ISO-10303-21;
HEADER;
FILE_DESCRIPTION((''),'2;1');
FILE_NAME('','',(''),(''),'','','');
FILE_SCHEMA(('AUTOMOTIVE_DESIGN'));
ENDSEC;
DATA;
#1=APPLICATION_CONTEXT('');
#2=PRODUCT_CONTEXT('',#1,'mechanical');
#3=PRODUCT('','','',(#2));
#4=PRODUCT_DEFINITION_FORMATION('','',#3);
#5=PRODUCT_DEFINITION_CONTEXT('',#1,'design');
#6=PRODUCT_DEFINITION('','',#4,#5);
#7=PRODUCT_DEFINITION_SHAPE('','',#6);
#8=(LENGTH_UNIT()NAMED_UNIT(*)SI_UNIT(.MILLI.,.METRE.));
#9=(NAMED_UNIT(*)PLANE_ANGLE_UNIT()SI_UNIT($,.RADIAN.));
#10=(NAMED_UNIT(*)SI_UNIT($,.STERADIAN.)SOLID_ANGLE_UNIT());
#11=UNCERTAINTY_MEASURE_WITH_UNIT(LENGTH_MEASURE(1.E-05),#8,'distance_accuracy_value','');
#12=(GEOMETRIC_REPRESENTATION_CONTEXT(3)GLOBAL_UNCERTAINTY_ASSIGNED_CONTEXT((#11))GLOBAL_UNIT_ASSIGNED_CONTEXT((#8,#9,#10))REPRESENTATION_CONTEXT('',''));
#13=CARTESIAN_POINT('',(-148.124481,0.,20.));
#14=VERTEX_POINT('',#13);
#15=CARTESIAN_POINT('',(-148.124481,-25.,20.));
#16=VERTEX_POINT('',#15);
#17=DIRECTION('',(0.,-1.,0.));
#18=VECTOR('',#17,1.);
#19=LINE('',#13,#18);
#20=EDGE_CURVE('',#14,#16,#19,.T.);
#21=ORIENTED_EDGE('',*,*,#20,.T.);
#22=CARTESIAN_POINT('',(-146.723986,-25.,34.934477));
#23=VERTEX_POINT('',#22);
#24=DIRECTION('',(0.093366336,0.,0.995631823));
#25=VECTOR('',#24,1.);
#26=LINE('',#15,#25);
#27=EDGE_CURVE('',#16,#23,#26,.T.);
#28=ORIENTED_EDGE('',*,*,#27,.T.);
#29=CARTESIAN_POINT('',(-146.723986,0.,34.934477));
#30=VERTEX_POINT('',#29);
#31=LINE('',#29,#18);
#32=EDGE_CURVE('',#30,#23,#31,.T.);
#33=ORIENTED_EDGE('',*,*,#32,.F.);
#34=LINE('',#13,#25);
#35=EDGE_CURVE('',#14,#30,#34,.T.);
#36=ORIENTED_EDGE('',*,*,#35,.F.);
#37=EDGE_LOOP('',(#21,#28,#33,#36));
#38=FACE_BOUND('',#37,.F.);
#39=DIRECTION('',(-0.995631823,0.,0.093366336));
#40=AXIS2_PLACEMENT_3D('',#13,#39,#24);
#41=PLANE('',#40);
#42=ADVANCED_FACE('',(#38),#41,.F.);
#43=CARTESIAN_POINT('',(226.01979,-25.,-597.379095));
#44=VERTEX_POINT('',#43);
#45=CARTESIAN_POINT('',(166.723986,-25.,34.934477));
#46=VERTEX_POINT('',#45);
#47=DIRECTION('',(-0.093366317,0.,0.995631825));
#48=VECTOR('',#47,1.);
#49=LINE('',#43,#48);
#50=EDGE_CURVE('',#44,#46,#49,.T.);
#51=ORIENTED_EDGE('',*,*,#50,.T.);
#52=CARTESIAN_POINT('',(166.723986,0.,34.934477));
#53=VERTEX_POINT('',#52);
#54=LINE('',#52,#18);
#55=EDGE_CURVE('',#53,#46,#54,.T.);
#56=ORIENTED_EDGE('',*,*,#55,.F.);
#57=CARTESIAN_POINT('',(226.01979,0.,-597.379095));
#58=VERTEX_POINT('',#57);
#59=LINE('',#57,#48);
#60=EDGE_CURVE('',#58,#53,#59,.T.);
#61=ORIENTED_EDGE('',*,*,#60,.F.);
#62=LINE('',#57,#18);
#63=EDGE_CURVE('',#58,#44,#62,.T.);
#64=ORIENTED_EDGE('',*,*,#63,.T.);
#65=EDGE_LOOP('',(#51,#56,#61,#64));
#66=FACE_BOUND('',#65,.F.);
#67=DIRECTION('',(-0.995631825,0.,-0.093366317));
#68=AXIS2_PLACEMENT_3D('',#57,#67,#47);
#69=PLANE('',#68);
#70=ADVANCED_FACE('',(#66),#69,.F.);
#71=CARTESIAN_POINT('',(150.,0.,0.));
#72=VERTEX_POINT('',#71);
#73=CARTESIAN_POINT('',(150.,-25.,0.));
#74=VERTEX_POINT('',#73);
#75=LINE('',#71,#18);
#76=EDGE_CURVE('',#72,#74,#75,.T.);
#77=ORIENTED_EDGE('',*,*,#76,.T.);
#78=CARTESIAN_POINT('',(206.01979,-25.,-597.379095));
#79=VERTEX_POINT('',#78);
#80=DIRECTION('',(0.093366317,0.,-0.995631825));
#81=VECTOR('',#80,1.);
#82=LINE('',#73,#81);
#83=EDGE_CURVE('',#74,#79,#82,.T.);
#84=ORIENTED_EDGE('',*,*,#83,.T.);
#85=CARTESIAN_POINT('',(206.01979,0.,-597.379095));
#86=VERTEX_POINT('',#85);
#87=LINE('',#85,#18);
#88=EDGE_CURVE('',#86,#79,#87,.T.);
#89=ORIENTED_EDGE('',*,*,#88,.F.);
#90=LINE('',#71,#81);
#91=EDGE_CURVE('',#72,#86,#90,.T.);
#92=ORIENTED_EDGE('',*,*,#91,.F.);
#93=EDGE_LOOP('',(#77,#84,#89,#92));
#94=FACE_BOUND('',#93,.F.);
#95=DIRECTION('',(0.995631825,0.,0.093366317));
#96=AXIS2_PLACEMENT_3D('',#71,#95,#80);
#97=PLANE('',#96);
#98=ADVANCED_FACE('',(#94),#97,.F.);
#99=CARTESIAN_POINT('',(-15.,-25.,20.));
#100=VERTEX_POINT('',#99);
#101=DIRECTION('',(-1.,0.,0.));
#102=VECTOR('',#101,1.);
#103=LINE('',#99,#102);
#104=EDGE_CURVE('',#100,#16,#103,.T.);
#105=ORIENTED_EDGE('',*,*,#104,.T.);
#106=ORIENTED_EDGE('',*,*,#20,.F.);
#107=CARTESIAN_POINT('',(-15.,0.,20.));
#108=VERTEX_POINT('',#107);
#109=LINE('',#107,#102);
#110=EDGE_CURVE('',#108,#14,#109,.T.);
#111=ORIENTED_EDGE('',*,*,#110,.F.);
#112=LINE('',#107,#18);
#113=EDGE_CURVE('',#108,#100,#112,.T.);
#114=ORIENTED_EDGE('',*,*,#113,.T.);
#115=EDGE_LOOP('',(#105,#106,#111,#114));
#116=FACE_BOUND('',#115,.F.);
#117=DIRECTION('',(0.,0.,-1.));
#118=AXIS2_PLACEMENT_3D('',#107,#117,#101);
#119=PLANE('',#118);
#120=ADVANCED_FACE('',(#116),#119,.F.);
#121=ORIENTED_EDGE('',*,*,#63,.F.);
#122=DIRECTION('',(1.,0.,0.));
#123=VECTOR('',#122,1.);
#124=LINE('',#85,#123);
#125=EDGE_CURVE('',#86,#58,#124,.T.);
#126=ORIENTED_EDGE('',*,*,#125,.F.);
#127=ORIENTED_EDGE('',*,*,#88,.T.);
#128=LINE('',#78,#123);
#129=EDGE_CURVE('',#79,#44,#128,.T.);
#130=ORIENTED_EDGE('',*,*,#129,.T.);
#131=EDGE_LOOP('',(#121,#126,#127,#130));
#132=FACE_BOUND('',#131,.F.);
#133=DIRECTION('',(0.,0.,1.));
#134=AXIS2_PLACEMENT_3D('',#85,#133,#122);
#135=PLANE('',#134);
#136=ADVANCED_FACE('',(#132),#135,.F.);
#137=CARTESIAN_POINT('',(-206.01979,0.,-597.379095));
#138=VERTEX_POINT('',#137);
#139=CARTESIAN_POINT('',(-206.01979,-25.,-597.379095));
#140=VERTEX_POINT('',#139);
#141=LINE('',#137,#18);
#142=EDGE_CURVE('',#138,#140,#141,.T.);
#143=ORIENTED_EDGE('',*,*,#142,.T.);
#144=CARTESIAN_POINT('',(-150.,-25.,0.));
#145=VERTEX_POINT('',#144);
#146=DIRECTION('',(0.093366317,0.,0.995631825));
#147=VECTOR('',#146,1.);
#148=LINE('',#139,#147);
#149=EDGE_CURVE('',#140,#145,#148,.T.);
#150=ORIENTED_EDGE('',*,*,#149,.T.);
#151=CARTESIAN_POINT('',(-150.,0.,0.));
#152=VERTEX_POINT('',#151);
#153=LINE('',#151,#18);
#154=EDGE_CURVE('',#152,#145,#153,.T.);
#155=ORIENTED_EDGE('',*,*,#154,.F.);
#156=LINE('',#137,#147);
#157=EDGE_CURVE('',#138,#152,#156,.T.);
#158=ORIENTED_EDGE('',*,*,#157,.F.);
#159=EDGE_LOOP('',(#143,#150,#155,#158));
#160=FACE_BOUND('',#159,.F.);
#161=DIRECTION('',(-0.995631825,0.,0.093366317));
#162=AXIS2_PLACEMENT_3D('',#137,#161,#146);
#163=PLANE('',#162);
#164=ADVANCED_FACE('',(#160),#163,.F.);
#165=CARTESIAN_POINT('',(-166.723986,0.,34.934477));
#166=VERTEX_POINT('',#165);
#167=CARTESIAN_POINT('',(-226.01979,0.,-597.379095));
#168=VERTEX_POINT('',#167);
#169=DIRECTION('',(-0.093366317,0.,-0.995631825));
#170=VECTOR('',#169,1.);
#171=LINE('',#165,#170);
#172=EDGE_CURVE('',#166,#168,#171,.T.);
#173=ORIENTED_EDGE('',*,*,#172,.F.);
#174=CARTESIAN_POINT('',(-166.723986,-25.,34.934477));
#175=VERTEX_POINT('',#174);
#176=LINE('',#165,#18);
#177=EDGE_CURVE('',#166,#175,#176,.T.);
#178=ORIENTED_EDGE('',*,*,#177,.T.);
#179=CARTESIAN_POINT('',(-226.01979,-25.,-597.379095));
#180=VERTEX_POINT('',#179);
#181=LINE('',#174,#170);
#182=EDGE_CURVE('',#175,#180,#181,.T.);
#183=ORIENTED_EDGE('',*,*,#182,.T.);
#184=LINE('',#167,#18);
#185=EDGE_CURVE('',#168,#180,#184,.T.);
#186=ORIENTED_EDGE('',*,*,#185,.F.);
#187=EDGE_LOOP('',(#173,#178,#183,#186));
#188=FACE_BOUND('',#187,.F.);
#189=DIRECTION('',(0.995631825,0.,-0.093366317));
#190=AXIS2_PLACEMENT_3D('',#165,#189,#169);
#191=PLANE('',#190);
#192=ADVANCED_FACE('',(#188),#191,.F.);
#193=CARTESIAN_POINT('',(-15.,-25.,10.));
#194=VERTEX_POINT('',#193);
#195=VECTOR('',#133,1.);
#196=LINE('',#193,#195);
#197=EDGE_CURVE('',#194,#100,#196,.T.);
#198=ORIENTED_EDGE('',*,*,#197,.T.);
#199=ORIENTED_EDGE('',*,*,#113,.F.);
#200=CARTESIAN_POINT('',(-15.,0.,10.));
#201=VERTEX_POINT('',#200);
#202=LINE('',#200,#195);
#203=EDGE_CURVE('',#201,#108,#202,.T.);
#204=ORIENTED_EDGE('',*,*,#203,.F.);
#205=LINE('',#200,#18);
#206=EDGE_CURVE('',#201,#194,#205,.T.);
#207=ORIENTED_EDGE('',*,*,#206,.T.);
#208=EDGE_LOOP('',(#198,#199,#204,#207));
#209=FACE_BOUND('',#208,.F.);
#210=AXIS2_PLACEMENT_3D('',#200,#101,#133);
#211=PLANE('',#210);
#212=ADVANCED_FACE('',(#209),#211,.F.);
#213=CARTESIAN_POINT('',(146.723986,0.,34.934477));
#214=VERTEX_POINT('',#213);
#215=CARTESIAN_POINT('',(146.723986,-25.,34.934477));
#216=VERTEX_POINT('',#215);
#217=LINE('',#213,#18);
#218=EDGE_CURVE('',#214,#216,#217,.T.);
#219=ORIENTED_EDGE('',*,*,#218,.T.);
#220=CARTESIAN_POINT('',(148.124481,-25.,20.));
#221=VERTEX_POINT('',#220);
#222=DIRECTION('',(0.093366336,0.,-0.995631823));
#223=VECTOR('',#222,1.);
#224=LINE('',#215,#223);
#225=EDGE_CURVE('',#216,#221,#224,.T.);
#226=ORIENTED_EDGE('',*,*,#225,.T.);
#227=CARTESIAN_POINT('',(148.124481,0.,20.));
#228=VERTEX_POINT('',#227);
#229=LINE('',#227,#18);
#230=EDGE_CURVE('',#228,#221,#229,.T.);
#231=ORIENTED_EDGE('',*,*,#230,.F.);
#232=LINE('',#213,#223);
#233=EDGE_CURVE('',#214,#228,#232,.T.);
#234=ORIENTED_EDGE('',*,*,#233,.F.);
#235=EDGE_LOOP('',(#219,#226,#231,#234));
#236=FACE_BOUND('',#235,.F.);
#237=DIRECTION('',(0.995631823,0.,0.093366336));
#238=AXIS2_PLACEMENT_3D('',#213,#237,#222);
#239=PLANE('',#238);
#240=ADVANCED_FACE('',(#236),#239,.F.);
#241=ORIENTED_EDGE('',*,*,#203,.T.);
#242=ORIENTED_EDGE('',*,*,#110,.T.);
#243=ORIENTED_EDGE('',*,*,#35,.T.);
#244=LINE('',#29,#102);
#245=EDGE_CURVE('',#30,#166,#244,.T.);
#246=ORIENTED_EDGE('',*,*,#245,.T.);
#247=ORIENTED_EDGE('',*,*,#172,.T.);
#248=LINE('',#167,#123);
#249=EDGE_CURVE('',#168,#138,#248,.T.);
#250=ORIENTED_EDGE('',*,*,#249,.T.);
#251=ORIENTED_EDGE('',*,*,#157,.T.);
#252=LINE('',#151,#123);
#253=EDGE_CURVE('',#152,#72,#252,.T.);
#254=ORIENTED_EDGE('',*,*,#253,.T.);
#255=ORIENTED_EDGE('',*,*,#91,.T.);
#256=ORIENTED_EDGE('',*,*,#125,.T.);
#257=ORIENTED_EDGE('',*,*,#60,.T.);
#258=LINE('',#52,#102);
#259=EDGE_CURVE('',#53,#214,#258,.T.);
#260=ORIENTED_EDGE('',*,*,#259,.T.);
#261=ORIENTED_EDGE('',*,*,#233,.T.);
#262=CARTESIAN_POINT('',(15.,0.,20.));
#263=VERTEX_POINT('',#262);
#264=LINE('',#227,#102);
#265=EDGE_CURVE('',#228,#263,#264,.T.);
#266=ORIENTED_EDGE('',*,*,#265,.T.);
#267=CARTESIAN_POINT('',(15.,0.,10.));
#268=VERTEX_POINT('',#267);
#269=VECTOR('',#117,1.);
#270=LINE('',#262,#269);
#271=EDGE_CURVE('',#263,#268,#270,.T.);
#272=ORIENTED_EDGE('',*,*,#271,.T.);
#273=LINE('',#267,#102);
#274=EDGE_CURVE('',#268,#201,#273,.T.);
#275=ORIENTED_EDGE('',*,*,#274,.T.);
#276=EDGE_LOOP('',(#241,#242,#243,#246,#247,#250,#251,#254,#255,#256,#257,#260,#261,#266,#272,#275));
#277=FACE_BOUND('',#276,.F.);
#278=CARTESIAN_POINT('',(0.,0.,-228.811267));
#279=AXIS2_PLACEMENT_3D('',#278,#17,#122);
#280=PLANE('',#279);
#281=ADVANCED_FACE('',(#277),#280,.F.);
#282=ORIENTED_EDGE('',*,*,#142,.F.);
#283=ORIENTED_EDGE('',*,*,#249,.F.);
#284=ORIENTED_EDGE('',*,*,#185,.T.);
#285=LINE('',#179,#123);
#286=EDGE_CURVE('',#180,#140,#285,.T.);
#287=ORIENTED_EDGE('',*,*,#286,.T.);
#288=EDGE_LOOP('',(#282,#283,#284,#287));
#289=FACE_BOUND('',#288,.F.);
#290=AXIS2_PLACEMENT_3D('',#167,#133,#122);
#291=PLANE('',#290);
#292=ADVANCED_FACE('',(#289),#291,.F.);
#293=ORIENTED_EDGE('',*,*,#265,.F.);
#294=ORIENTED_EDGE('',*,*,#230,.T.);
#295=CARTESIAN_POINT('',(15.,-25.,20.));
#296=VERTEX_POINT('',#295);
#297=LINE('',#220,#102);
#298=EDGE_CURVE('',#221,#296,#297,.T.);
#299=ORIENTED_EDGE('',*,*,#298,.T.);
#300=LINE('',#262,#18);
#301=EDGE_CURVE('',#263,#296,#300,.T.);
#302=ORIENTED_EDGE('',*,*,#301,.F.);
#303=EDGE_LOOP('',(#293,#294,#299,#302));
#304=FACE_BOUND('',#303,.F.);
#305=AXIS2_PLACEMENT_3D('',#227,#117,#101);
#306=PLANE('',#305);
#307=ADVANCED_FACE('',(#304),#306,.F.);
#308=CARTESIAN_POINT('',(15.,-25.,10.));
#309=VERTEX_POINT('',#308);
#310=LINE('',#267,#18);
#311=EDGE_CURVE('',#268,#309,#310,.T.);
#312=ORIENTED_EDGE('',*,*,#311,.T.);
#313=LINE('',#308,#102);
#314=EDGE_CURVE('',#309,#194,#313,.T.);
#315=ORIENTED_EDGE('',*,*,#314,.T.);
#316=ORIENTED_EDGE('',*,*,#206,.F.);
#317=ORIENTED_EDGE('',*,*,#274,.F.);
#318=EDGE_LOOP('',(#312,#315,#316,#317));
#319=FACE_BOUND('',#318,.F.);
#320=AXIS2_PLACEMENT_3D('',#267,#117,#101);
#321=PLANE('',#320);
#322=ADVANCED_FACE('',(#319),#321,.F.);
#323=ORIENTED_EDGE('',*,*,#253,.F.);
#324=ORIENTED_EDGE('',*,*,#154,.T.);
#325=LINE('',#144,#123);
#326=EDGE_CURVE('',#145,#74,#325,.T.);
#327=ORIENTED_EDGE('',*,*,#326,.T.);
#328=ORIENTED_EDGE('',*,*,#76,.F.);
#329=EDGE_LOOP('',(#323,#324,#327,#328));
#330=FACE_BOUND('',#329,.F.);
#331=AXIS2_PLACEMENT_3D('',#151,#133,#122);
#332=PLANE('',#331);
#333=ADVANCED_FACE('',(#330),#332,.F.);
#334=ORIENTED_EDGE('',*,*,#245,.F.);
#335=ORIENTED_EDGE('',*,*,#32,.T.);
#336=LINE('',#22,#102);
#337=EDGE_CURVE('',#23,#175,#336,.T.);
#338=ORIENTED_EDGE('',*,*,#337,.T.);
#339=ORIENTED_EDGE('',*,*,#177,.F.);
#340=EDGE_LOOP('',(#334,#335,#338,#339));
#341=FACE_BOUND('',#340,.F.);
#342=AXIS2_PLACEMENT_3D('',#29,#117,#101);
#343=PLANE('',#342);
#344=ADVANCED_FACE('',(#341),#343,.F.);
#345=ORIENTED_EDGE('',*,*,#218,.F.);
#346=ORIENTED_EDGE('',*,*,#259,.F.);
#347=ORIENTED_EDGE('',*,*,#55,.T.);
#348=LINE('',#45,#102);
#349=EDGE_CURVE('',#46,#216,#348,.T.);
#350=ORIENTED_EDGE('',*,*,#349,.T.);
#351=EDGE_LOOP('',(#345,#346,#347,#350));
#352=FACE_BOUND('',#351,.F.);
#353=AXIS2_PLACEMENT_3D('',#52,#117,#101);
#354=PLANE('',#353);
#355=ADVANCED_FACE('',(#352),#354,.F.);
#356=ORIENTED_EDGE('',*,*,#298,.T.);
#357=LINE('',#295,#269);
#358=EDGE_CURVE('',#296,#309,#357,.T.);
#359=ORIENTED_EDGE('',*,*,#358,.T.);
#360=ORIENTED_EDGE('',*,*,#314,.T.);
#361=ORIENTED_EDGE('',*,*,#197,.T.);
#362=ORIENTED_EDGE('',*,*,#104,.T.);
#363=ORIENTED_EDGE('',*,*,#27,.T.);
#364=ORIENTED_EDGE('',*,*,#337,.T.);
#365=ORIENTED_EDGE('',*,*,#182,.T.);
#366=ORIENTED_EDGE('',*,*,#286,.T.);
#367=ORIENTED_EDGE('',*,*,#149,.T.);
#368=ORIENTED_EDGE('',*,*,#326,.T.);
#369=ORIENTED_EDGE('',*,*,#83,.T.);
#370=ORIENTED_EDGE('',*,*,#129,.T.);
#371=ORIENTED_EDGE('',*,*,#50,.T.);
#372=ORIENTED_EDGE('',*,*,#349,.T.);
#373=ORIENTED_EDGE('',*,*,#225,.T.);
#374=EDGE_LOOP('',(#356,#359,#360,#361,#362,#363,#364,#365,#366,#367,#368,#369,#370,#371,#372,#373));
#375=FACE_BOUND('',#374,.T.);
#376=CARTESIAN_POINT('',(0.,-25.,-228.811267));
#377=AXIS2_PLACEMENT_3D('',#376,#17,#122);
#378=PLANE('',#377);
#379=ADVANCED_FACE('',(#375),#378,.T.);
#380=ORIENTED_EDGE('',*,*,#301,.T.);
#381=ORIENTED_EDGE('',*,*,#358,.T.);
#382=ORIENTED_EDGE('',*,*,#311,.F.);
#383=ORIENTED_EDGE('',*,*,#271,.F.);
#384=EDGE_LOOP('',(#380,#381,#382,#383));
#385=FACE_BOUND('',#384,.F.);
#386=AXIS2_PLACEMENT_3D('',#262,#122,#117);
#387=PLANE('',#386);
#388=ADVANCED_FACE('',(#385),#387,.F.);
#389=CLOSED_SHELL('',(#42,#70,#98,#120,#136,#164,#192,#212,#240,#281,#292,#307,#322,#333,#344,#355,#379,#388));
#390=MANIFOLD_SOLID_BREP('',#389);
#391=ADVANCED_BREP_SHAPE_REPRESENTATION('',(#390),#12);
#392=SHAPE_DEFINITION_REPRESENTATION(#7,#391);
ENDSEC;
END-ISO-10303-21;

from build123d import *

# Parameters (mm, degrees)
F1_DEPTH = 25


with BuildPart() as f1:
    # F0 (on Front) → F1 (new body)
    with BuildSketch(Plane.XZ):
        Polygon((-150, 0), (0, 0), (150, 0), (206.01979, -597.379095), (226.01979, -597.379095), (166.723986, 34.934477), (146.723986, 34.934477), (148.124481, 20), (15, 20), (15, 10), (0, 10), (-15, 10), (-15, 20), (-15.339315, 20), (-148.124481, 20), (-146.723986, 34.934477), (-166.723986, 34.934477), (-226.01979, -597.379095), (-206.01979, -597.379095), align=None)
    extrude(amount=F1_DEPTH)


solid = f1.part
